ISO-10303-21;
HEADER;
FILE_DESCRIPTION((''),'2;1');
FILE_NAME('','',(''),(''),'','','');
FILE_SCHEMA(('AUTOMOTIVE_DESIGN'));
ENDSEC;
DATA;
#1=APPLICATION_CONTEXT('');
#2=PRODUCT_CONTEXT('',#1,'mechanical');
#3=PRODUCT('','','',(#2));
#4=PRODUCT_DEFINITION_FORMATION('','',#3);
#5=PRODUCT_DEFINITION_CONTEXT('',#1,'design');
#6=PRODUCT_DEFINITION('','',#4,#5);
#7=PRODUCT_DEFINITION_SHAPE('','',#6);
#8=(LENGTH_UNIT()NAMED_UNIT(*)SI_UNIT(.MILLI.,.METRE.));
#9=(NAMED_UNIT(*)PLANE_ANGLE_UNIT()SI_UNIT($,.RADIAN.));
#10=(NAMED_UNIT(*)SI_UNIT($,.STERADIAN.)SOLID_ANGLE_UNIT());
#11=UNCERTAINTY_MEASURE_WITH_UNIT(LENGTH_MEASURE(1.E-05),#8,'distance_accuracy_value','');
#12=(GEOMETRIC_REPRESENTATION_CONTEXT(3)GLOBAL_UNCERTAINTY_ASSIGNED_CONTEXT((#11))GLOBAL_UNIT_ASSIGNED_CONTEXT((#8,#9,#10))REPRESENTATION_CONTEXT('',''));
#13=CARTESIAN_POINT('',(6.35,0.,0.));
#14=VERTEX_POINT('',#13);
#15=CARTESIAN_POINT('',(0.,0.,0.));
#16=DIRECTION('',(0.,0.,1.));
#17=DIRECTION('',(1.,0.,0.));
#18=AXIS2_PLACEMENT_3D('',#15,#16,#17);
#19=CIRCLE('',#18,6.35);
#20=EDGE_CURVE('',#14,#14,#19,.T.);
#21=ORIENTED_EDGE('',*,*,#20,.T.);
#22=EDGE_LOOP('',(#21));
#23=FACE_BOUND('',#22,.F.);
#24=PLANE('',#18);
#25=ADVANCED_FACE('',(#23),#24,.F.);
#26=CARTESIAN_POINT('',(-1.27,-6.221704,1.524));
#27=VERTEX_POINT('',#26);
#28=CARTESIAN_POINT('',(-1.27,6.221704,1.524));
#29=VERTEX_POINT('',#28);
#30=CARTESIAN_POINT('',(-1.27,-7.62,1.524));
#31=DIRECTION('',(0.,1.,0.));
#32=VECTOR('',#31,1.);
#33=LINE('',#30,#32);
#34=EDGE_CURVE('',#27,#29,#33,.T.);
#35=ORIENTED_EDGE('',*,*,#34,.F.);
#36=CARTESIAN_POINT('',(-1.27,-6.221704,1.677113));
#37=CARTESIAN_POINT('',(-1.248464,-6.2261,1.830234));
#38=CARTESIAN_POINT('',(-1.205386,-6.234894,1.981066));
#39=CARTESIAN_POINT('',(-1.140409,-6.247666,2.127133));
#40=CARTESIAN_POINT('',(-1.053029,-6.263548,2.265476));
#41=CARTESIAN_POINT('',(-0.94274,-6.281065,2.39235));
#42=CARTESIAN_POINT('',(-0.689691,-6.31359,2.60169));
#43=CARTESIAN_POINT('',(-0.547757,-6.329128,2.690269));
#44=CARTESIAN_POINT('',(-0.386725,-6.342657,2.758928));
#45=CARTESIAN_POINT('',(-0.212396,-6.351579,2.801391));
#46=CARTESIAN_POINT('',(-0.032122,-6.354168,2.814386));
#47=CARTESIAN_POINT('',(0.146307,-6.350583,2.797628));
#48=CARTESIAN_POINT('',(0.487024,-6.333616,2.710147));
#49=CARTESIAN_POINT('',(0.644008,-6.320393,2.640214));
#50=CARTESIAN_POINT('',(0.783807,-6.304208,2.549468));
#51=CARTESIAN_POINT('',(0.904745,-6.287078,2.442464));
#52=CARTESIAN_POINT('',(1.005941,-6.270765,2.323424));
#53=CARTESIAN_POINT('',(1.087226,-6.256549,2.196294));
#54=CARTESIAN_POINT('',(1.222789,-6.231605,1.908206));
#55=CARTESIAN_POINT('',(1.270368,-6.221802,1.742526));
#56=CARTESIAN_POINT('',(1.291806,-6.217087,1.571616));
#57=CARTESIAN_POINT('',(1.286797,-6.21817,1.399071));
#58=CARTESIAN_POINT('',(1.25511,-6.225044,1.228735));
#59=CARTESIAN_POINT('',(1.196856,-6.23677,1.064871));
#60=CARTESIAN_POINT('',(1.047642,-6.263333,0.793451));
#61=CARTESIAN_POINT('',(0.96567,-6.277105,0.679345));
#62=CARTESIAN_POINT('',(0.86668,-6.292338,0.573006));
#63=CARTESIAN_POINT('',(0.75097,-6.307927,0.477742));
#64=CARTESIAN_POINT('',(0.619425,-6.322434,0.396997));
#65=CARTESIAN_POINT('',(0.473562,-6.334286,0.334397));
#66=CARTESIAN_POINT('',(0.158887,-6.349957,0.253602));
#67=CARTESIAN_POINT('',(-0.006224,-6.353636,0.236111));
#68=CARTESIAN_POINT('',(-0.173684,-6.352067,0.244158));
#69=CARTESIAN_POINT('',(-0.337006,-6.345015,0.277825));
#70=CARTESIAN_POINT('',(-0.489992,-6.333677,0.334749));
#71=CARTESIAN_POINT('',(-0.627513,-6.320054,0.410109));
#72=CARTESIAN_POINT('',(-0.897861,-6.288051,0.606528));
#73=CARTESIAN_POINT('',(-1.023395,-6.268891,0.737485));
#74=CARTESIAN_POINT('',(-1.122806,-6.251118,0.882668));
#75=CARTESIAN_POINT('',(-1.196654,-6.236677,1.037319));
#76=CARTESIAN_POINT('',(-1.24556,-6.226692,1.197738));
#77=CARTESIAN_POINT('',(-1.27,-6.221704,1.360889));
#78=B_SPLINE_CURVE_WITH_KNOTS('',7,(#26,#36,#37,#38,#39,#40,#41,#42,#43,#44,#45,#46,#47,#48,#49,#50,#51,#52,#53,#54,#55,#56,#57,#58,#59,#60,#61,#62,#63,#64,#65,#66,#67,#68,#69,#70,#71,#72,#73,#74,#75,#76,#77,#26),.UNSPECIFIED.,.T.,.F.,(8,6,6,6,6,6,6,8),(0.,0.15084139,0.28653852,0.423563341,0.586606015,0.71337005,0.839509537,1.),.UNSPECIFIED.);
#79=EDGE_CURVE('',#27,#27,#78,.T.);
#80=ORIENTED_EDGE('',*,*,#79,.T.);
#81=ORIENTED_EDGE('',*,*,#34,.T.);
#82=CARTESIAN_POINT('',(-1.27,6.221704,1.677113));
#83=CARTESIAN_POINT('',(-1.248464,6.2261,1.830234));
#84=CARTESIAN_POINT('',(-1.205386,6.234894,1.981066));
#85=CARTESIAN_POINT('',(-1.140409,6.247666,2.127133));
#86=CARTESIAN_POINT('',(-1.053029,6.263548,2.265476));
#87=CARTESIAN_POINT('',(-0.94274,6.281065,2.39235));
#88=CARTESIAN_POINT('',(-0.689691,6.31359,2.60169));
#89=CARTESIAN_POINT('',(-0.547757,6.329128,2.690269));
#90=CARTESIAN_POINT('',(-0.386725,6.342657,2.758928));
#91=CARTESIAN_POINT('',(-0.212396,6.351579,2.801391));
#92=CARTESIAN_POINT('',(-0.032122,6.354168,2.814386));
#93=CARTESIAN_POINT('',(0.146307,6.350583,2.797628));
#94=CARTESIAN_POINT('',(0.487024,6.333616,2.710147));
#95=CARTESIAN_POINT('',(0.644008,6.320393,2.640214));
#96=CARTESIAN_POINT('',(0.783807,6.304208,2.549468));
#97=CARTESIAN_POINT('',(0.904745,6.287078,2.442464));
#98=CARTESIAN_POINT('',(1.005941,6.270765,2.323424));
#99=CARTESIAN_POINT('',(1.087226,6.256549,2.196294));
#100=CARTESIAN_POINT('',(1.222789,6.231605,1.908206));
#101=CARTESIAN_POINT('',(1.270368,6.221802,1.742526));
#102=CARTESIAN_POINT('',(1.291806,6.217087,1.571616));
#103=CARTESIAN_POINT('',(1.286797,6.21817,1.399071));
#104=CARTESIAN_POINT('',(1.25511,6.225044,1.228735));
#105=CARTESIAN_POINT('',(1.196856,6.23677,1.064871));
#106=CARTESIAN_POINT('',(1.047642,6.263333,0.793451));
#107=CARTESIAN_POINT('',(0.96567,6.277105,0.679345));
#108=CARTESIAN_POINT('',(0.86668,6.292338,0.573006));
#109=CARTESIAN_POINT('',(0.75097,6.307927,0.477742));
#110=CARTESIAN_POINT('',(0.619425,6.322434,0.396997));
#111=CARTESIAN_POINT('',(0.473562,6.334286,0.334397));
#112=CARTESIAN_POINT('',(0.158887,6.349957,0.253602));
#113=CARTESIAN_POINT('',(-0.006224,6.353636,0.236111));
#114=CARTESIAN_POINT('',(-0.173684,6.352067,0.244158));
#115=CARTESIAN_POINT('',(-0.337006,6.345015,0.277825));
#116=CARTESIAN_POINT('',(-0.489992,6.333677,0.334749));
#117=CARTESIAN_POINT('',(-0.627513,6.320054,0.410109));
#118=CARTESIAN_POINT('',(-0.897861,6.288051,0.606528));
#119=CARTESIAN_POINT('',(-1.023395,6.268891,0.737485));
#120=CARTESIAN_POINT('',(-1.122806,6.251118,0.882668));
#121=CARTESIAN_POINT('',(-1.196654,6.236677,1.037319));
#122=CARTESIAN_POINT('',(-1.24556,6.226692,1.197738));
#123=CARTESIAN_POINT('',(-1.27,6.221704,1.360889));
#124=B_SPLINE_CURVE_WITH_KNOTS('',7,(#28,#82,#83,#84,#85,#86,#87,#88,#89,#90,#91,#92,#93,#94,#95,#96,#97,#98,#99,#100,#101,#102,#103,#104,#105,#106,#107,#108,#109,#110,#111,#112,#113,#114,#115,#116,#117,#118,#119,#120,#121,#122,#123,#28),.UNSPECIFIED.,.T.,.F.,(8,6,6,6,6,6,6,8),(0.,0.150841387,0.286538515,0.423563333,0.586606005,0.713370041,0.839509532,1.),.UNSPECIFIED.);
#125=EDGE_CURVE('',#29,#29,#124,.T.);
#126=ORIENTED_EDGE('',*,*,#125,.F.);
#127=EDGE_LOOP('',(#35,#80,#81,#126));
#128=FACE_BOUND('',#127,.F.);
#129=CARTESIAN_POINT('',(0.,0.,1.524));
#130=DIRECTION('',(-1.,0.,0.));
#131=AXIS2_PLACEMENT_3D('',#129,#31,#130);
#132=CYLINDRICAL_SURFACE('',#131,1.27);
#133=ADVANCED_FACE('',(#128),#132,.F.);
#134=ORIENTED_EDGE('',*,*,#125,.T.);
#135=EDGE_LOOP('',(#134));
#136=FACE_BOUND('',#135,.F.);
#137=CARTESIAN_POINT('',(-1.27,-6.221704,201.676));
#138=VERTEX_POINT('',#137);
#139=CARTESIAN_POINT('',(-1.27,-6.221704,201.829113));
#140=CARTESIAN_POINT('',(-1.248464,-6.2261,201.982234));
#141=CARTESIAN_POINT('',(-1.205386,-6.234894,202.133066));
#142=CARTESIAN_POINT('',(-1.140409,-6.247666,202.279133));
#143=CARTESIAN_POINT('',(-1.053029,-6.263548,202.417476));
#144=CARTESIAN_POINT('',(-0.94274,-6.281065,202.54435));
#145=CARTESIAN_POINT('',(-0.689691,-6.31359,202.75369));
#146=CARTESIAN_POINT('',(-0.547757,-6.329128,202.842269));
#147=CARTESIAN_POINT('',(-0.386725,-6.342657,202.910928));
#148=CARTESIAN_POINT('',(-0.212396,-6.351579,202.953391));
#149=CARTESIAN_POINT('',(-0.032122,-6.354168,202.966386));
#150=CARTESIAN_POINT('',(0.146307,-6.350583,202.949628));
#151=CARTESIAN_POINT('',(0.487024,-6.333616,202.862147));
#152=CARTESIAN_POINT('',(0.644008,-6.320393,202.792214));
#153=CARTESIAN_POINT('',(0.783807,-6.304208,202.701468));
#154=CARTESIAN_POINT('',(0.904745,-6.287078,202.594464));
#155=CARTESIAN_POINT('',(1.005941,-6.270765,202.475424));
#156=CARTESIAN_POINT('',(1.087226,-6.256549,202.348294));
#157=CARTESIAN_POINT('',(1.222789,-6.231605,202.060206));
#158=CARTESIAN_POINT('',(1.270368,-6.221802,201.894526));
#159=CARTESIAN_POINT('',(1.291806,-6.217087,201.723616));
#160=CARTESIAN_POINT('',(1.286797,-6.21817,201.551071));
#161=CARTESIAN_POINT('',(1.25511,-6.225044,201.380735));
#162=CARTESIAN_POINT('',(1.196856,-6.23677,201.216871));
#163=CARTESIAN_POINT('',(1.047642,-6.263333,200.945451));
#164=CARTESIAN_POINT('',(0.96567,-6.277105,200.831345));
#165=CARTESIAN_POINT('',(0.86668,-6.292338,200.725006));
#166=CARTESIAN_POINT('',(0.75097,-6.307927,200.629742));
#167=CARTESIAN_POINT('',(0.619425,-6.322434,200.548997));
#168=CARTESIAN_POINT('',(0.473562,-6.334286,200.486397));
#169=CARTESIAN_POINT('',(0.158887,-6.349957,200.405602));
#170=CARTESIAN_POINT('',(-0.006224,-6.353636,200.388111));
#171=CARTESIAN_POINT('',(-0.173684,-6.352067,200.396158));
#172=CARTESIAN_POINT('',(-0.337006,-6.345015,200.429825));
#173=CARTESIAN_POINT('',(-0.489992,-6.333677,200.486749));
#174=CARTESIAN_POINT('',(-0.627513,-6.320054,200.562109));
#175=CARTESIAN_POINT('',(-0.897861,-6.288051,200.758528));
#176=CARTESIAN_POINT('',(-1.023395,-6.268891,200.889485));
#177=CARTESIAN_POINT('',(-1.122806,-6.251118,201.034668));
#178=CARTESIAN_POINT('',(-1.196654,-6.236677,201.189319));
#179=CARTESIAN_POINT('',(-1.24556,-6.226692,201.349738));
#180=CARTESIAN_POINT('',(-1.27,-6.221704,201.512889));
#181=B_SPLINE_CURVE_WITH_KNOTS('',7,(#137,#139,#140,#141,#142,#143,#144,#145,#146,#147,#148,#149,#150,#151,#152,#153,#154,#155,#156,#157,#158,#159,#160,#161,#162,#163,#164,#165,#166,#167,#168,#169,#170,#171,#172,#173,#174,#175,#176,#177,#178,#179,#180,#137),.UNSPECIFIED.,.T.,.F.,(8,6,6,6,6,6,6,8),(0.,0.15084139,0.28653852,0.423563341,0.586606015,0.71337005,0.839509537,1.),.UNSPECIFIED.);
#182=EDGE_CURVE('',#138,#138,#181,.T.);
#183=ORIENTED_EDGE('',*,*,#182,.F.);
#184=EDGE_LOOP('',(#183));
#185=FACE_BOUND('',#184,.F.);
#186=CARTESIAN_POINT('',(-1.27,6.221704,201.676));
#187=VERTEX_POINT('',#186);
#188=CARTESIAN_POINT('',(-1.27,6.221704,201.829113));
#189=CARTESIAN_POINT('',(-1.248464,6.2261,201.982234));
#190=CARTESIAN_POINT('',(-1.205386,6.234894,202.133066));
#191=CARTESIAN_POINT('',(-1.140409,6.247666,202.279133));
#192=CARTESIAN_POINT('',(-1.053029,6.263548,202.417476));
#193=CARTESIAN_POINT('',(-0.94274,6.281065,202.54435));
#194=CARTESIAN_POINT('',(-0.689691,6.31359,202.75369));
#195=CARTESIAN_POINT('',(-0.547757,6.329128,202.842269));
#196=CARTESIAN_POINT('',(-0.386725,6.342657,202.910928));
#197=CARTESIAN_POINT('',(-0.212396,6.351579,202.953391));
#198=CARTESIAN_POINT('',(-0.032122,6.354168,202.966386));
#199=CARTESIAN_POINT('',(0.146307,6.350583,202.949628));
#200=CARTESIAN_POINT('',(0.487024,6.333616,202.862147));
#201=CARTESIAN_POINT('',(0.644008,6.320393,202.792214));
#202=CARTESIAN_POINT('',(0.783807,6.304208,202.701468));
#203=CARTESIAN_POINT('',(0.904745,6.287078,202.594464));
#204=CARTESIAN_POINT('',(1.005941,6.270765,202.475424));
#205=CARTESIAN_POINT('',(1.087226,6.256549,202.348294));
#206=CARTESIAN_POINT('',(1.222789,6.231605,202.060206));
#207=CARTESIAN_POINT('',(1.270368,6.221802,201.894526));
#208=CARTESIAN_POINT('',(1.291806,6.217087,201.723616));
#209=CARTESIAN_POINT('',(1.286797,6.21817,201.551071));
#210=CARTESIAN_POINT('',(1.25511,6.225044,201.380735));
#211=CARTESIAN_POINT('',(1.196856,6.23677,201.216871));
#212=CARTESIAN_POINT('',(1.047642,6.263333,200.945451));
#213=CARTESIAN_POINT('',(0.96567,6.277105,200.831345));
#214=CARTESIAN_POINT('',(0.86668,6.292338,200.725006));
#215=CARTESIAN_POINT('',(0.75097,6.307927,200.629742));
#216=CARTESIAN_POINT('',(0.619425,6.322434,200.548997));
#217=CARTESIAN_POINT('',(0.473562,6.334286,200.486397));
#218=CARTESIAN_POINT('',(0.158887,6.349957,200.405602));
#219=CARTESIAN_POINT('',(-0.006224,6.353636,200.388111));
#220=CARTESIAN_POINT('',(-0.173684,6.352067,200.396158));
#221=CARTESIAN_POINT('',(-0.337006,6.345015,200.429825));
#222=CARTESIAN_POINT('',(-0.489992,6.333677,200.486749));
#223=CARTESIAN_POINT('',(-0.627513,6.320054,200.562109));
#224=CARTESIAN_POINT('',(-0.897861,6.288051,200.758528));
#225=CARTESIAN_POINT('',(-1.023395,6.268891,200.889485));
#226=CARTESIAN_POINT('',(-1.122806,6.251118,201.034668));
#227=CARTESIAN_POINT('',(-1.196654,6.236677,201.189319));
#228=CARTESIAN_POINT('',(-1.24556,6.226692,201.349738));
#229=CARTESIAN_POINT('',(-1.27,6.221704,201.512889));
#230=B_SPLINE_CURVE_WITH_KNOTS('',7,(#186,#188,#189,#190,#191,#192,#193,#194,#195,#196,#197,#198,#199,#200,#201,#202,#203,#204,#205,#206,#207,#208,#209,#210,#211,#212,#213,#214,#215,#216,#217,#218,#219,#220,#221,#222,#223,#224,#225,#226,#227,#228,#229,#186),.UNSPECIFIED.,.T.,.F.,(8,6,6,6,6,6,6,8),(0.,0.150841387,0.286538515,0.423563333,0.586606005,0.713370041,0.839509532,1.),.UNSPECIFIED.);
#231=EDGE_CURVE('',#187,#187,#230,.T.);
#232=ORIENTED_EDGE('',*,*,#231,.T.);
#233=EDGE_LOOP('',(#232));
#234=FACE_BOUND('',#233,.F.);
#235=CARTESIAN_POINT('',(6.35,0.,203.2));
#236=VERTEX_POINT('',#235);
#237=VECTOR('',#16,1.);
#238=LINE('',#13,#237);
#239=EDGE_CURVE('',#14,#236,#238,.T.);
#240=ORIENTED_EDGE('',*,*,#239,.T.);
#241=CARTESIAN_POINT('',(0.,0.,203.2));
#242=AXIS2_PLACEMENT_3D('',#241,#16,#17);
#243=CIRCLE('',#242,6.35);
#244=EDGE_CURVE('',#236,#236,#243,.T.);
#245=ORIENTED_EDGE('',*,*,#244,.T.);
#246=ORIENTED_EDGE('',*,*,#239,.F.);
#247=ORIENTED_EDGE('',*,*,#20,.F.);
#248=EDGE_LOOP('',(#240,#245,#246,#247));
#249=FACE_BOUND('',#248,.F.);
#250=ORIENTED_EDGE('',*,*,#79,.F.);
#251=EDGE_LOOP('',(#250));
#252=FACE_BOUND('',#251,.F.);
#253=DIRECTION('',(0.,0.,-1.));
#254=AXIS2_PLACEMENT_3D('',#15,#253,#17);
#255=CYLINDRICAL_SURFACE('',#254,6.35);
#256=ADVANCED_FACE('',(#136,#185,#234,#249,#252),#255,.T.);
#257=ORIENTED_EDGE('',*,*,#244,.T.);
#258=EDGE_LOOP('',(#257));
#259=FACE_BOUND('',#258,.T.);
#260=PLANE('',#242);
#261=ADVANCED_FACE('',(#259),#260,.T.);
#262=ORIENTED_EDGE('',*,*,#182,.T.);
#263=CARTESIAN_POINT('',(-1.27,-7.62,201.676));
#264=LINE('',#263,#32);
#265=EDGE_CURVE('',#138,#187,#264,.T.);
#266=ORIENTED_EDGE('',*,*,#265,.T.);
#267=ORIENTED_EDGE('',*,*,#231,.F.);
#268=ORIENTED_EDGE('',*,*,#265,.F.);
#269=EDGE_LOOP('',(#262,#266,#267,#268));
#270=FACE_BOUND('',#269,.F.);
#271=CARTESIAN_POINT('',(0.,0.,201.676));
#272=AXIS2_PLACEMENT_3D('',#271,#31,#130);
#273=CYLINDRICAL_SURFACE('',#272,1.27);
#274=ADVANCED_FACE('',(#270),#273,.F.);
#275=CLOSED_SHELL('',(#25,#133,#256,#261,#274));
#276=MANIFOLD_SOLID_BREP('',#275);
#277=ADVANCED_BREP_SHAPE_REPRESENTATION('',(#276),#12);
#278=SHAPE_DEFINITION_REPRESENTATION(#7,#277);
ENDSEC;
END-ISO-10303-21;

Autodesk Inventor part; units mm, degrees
ref_plane "YZ Plane" through (0, 0, 0) normal (1, 0, 0) x (0, 1, 0)
ref_plane "XZ Plane" through (0, 0, 0) normal (0, 1, 0) x (-1, 0, 0)
ref_plane "XY Plane" through (0, 0, 0) normal (0, 0, 1) x (1, 0, 0)
sketch "Sketch1" plane through (0, 0, 0) normal (0, 0, 1) x (1, 0, 0)
  circle A0 centre (0, 0) radius 6.35
  dimension "d0" = 12.7
extrude "Extrusion1" add sketch "Sketch1" along normal blind 203.2
sketch "Sketch4" plane through (0, 0, 0) normal (0, 1, 0) x (-1, 0, 0)
  line L0 (0, 0) -> (0, 1.524)
  line L1 (6.35, 203.2) -> (-6.35, 203.2) projected
  line L2 (0, 203.2) -> (0, 201.676)
  circle A0 centre (0, 201.676) radius 1.27
  circle A1 centre (0, 1.524) radius 1.27
  dimension "d13" = 1.524
  dimension "d15" = 1.524
  dimension "d16" = 2.54
  dimension "d19" = 2.54
extrude "Extrusion4" cut sketch "Sketch4" along normal mid plane 15.24
sketch "Sketch5" plane through (0, 0, 0) normal (0, 1, 0) x (-1, 0, 0)
  point P0 (0, 0)
properties part number "Straw"
